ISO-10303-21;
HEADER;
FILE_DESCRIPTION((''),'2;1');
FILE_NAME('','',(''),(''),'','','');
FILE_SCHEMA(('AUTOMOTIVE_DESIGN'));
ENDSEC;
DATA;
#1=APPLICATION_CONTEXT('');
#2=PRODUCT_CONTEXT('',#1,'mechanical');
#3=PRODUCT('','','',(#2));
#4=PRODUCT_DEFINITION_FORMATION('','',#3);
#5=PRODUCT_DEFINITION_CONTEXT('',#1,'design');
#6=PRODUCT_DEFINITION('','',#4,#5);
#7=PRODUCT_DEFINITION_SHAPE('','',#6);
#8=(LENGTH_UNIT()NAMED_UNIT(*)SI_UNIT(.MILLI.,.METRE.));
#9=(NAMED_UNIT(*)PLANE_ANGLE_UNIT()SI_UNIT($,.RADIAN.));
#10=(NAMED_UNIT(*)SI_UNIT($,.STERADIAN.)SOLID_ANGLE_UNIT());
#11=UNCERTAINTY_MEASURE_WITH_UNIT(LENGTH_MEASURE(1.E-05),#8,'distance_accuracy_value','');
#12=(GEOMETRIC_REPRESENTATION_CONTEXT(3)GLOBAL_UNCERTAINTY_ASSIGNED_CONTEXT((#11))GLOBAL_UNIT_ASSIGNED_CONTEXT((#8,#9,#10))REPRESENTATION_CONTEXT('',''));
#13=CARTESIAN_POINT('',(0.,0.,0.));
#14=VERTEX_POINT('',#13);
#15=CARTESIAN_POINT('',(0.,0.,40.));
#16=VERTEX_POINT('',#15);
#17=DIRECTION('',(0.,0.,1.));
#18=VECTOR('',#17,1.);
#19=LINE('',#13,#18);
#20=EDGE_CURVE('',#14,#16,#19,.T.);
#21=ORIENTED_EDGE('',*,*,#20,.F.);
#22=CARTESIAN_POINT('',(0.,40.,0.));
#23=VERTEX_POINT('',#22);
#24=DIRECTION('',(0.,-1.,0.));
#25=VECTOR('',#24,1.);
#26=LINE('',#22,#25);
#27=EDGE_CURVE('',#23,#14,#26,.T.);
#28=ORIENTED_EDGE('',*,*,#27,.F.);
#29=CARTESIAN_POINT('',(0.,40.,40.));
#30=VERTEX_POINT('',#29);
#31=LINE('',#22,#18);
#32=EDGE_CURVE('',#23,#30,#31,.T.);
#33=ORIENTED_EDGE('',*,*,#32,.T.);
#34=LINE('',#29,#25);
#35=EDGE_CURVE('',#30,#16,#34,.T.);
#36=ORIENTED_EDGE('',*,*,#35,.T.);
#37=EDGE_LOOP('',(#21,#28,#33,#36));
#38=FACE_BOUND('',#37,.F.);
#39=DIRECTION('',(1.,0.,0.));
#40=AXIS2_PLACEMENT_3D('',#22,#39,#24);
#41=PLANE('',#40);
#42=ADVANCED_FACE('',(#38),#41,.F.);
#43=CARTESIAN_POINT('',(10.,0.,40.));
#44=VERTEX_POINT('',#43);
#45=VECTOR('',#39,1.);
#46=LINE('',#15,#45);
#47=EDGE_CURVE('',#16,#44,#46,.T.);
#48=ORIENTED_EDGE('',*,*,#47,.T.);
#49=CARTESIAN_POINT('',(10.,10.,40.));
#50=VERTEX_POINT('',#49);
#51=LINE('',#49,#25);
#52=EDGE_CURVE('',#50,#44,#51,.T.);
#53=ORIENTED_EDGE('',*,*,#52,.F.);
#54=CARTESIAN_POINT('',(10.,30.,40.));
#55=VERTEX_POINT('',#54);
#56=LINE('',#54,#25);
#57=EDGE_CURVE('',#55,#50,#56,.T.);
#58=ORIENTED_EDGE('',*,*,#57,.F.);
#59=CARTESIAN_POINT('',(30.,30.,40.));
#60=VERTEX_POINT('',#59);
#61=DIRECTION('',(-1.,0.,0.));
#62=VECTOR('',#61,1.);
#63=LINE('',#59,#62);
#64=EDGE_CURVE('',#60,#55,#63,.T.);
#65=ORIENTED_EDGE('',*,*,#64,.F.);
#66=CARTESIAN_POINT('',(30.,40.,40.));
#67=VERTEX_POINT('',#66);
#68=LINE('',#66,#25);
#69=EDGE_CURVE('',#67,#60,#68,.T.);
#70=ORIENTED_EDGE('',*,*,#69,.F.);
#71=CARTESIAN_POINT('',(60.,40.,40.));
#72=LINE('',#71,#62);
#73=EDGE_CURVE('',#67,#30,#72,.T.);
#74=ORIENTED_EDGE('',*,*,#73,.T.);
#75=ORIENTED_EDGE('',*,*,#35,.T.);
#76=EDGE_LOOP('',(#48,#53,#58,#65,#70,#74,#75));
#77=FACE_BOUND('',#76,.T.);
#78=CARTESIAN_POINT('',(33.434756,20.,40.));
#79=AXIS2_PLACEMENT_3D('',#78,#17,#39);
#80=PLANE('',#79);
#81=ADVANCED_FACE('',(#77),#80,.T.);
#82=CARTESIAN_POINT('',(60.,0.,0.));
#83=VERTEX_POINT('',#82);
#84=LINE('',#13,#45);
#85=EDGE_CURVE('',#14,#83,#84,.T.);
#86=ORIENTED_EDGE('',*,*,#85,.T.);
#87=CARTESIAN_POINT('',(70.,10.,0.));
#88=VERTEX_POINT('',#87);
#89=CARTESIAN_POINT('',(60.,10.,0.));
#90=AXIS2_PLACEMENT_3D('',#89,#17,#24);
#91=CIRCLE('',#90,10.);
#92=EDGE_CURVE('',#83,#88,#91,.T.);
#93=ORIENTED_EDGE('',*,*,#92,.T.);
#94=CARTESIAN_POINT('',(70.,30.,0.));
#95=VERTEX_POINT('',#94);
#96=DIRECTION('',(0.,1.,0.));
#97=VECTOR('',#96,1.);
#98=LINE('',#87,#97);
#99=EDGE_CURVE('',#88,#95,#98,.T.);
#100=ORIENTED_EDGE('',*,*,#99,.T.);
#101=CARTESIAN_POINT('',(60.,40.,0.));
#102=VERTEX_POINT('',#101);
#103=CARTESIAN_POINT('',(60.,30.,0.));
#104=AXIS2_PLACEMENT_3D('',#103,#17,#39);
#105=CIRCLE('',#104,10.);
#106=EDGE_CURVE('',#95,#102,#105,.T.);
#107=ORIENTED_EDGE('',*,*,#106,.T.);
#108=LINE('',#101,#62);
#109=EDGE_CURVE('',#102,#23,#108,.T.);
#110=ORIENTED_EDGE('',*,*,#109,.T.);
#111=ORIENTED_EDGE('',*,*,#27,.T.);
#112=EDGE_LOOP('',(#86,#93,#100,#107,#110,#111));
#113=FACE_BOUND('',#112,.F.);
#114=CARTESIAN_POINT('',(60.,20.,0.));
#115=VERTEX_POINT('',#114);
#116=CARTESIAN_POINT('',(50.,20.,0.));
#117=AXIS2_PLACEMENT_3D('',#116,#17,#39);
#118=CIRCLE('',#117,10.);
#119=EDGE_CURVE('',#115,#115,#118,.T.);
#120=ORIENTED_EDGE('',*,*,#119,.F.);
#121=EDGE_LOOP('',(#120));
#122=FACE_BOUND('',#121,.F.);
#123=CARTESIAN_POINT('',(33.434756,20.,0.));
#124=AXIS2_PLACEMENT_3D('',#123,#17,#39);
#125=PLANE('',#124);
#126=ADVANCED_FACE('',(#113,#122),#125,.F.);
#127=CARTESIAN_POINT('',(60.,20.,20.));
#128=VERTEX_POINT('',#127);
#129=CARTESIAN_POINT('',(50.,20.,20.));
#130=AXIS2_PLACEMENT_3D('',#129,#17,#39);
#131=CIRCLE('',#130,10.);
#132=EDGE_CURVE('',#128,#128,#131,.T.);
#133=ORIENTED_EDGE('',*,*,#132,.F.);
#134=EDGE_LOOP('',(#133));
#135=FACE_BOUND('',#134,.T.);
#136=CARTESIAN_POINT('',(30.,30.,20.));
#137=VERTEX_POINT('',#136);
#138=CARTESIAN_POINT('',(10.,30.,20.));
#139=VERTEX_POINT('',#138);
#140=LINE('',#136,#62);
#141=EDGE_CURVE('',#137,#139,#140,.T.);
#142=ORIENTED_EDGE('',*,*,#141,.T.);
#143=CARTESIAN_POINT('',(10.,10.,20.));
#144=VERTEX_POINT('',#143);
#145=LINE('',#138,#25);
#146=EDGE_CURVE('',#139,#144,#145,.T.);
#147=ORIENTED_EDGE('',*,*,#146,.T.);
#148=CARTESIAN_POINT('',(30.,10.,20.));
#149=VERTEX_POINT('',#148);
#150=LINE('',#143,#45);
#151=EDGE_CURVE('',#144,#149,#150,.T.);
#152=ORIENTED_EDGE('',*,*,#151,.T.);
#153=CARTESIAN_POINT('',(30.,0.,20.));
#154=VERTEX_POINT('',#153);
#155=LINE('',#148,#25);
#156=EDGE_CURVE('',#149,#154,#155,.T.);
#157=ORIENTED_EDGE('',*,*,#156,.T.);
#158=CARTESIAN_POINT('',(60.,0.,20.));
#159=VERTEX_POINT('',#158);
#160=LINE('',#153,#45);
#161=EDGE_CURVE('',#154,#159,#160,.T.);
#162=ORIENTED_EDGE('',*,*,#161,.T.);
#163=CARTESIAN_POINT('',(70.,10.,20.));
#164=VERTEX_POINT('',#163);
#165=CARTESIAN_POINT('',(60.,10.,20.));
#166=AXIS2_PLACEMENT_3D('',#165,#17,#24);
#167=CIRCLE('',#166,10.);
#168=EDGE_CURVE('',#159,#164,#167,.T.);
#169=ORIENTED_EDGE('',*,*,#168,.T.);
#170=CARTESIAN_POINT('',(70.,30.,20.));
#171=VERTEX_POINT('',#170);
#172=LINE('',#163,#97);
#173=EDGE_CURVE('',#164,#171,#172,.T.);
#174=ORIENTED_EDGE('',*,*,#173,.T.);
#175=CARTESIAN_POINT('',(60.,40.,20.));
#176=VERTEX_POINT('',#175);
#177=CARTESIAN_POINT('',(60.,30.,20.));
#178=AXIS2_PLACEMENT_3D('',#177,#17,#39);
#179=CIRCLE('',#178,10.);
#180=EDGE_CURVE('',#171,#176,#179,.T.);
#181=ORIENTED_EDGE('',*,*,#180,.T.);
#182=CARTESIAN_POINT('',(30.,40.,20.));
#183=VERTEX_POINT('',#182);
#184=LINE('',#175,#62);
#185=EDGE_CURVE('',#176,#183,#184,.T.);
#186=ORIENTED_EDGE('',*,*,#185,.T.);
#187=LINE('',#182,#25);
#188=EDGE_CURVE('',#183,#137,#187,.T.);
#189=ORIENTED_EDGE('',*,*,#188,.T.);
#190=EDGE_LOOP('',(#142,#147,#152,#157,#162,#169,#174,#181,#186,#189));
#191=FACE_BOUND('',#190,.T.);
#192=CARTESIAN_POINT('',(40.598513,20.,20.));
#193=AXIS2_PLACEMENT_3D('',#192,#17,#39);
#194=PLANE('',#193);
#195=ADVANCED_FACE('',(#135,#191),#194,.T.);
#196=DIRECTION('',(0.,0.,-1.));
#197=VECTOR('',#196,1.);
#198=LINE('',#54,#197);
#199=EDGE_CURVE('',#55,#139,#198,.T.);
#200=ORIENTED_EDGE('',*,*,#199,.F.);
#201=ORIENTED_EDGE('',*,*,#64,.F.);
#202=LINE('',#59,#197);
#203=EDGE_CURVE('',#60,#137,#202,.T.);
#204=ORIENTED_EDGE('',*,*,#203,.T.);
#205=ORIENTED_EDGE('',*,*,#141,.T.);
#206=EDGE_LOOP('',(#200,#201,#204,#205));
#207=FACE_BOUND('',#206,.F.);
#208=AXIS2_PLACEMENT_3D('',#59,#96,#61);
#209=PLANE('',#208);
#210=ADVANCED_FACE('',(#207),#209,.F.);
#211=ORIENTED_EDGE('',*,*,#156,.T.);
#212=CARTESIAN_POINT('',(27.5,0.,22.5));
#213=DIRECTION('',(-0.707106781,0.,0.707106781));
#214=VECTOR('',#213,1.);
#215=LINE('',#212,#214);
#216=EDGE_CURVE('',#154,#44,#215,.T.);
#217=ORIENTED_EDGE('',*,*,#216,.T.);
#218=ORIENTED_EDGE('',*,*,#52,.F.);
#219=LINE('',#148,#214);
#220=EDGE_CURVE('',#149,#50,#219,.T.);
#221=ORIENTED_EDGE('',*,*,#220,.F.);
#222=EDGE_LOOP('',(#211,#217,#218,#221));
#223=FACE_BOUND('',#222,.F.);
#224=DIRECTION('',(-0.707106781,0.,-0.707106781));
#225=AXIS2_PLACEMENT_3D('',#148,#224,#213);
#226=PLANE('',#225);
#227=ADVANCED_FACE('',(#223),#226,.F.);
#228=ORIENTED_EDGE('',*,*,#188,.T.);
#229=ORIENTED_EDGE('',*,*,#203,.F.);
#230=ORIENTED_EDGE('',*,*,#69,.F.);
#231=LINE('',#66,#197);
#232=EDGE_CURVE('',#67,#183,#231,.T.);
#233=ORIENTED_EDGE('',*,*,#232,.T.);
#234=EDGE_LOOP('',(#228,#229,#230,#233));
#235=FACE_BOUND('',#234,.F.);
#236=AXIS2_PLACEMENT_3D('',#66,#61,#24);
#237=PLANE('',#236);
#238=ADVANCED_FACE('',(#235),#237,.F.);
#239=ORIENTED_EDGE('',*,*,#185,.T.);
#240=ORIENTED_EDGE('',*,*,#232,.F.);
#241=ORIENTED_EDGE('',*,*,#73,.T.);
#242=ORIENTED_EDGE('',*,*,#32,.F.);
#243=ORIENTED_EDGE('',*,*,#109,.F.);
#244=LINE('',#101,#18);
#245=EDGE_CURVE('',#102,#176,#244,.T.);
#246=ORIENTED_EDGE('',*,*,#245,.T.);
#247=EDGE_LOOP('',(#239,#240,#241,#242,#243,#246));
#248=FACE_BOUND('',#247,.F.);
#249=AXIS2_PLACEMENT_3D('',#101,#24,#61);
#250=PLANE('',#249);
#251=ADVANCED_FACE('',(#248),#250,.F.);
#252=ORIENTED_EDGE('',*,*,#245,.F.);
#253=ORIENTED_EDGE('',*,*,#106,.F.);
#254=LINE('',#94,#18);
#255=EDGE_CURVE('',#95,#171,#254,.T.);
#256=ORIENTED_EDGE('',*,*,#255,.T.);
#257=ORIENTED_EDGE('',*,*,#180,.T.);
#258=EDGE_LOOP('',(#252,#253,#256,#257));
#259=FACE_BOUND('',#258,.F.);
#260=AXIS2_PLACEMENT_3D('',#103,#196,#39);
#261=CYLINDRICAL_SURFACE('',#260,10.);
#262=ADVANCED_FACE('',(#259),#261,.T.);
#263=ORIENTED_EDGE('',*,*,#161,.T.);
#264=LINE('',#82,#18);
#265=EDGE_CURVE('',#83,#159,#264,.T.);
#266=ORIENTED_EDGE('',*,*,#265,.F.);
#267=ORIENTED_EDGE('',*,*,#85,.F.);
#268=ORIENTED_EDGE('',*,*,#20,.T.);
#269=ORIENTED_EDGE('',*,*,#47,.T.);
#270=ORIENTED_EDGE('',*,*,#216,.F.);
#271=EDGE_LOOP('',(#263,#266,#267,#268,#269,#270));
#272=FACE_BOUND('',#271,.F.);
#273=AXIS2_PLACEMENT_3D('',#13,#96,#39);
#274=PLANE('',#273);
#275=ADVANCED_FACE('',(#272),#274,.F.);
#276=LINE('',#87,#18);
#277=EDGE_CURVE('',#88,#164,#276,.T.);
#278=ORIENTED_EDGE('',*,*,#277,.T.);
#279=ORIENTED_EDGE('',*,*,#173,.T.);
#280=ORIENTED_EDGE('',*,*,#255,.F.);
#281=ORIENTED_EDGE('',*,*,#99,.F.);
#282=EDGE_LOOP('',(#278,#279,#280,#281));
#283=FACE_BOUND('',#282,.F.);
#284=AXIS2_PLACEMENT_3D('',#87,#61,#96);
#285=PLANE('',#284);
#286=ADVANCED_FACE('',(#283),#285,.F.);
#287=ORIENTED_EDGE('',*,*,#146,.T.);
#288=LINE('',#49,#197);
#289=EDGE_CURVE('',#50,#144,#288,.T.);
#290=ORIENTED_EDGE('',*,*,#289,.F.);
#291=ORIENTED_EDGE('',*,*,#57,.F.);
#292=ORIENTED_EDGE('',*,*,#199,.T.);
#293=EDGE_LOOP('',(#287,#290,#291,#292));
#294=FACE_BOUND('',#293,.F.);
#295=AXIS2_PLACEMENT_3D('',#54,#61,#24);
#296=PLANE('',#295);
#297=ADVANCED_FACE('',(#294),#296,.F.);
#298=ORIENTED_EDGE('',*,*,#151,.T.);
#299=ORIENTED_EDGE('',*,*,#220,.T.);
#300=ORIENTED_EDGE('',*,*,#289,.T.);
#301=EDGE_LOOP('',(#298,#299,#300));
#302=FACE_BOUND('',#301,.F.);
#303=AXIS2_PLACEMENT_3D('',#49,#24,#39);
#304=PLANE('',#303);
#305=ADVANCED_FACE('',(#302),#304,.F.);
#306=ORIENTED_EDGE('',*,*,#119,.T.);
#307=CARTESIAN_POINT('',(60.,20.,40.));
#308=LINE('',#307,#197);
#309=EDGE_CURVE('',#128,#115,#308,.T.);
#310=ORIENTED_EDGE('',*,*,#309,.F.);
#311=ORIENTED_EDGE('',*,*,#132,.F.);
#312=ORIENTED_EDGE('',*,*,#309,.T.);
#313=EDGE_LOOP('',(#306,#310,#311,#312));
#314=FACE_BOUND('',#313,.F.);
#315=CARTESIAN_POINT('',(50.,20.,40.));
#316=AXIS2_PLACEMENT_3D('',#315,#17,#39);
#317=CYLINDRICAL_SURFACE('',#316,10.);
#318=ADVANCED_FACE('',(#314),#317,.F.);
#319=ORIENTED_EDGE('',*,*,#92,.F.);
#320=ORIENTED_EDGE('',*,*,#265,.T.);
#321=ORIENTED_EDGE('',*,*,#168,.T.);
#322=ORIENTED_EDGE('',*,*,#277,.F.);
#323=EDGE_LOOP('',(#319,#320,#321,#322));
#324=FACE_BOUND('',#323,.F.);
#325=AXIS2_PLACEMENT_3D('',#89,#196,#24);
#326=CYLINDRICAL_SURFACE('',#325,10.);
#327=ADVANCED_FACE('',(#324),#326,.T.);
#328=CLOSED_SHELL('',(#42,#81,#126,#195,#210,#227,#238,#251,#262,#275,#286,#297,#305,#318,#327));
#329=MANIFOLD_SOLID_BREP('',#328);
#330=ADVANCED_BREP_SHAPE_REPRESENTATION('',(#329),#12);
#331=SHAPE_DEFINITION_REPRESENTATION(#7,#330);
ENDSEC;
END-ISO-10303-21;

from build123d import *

# Parameters (mm, degrees)
F1_DEPTH = 40
F2_R     = 10
F3_DEPTH = 20
F4_DEPTH = 40.001
F6_DEPTH = 10.001


with BuildPart() as f1:
    # F0 (on Top) → F1 (new body)
    with BuildSketch(Plane.XY):
        with BuildLine():
            Line((0, 40), (0, 0))
            Line((0, 0), (60, 0))
            ThreePointArc((60, 0), (67.0710678119, 2.9289321881), (70, 10))
            Line((70, 10), (70, 30))
            ThreePointArc((70, 30), (67.0710678119, 37.0710678119), (60, 40))
            Line((60, 40), (0, 40))
        make_face()
    extrude(amount=F1_DEPTH)

    # F2 (on face) → F3 (cut)
    with BuildSketch(Plane.XY.offset(40)):
        with BuildLine():
            Line((60, 40), (30, 40))
            Line((30, 40), (30, 30))
            Line((30, 30), (10, 30))
            Line((10, 30), (10, 10))
            Line((10, 10), (30, 10))
            Line((30, 10), (30, 0))
            Line((30, 0), (60, 0))
            ThreePointArc((60, 0), (67.0710678119, 2.9289321881), (70, 10))
            Line((70, 10), (70, 30))
            ThreePointArc((70, 30), (67.0710678119, 37.0710678119), (60, 40))
        make_face()
        with Locations((50, 20)):
            Circle(F2_R, mode=Mode.SUBTRACT)
    extrude(amount=-F3_DEPTH, mode=Mode.SUBTRACT)

    # F4 (cut, through all): a face of the model
    f4_faces = [f1.faces().sort_by_distance(p)[0] for p in [
        (50, 20, 40),
    ]]
    extrude(f4_faces, amount=-F4_DEPTH, mode=Mode.SUBTRACT)

    # F5 (on face) → F6 (cut, through all)
    with BuildSketch(Plane(origin=(0, 10, 0), x_dir=(-1, 0, 0), z_dir=(0, 1, 0))):
        Polygon((-30, 20), (-10, 40), (-30, 40), align=None)
    extrude(amount=-F6_DEPTH, mode=Mode.SUBTRACT)


solid = f1.part
